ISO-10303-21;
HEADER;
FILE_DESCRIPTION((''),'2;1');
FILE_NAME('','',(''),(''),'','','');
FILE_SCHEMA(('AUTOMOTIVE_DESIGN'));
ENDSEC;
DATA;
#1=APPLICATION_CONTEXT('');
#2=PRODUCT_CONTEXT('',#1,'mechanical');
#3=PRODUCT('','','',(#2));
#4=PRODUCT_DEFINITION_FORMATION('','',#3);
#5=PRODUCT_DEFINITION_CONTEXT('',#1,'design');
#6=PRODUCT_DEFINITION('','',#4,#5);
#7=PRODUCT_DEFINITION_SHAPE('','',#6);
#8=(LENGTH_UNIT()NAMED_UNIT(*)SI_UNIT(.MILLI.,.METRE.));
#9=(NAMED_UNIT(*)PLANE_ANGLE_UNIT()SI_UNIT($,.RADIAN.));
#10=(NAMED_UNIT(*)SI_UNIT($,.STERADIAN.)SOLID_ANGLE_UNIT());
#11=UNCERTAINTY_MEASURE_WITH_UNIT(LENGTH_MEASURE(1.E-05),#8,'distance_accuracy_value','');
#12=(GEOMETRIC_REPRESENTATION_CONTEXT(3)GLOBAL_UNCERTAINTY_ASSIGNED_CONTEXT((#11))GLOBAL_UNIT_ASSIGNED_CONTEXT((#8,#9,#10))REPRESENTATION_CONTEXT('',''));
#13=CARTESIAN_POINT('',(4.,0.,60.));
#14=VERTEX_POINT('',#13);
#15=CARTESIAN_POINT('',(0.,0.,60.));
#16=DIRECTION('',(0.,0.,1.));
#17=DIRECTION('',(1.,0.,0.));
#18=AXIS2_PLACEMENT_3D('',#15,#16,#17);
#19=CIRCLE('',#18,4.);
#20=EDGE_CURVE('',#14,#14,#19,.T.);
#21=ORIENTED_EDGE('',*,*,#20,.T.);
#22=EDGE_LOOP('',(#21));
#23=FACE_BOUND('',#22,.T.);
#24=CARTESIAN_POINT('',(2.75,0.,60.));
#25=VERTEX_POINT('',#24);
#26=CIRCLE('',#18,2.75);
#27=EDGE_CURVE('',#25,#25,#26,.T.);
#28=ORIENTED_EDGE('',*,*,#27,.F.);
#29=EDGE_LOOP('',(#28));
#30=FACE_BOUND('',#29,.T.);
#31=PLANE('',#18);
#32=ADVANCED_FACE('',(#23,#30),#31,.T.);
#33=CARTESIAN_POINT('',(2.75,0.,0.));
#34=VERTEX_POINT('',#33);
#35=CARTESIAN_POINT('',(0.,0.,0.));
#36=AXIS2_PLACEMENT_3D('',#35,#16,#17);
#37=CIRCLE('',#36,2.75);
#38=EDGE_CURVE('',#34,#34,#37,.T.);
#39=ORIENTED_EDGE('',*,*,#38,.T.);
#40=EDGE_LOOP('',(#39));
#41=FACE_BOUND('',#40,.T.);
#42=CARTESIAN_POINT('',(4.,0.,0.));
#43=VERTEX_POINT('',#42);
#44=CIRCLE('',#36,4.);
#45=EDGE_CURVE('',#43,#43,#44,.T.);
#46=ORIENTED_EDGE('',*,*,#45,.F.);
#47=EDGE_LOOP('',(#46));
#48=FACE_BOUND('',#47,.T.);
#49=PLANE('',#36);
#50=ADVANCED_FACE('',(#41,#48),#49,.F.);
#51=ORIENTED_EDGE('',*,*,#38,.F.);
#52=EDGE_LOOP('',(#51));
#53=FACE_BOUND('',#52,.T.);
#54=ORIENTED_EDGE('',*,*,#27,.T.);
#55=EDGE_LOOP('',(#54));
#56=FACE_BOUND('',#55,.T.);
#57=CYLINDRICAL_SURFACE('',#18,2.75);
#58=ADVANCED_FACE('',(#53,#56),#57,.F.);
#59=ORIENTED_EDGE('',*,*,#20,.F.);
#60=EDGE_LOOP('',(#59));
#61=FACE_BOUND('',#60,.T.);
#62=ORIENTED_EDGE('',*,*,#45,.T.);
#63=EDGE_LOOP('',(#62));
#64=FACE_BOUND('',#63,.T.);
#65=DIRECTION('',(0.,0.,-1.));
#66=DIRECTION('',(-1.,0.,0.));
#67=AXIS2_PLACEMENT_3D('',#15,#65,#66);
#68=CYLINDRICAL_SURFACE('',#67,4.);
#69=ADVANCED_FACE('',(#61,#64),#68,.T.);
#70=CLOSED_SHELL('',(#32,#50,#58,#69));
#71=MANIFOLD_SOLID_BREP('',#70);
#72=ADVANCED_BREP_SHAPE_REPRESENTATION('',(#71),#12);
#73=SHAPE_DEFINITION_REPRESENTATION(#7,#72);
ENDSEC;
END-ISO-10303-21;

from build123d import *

# Parameters (mm, degrees)
SKETCH1_R            = 4
BOSS_EXTRUDE1_DEPTH  = 60
M5_CLEARANCE_HOLE2_D = 5.5


with BuildPart() as part:
    # Sketch1 → Boss-Extrude1 (new body)
    with BuildSketch(Plane.XY):
        Circle(SKETCH1_R)
    extrude(amount=BOSS_EXTRUDE1_DEPTH)

    # M5 Clearance Hole2 (through all)
    with Locations(Plane.XY.offset(60)):
        with Locations((0, 0)):
            Hole(M5_CLEARANCE_HOLE2_D / 2)


solid = part.part
